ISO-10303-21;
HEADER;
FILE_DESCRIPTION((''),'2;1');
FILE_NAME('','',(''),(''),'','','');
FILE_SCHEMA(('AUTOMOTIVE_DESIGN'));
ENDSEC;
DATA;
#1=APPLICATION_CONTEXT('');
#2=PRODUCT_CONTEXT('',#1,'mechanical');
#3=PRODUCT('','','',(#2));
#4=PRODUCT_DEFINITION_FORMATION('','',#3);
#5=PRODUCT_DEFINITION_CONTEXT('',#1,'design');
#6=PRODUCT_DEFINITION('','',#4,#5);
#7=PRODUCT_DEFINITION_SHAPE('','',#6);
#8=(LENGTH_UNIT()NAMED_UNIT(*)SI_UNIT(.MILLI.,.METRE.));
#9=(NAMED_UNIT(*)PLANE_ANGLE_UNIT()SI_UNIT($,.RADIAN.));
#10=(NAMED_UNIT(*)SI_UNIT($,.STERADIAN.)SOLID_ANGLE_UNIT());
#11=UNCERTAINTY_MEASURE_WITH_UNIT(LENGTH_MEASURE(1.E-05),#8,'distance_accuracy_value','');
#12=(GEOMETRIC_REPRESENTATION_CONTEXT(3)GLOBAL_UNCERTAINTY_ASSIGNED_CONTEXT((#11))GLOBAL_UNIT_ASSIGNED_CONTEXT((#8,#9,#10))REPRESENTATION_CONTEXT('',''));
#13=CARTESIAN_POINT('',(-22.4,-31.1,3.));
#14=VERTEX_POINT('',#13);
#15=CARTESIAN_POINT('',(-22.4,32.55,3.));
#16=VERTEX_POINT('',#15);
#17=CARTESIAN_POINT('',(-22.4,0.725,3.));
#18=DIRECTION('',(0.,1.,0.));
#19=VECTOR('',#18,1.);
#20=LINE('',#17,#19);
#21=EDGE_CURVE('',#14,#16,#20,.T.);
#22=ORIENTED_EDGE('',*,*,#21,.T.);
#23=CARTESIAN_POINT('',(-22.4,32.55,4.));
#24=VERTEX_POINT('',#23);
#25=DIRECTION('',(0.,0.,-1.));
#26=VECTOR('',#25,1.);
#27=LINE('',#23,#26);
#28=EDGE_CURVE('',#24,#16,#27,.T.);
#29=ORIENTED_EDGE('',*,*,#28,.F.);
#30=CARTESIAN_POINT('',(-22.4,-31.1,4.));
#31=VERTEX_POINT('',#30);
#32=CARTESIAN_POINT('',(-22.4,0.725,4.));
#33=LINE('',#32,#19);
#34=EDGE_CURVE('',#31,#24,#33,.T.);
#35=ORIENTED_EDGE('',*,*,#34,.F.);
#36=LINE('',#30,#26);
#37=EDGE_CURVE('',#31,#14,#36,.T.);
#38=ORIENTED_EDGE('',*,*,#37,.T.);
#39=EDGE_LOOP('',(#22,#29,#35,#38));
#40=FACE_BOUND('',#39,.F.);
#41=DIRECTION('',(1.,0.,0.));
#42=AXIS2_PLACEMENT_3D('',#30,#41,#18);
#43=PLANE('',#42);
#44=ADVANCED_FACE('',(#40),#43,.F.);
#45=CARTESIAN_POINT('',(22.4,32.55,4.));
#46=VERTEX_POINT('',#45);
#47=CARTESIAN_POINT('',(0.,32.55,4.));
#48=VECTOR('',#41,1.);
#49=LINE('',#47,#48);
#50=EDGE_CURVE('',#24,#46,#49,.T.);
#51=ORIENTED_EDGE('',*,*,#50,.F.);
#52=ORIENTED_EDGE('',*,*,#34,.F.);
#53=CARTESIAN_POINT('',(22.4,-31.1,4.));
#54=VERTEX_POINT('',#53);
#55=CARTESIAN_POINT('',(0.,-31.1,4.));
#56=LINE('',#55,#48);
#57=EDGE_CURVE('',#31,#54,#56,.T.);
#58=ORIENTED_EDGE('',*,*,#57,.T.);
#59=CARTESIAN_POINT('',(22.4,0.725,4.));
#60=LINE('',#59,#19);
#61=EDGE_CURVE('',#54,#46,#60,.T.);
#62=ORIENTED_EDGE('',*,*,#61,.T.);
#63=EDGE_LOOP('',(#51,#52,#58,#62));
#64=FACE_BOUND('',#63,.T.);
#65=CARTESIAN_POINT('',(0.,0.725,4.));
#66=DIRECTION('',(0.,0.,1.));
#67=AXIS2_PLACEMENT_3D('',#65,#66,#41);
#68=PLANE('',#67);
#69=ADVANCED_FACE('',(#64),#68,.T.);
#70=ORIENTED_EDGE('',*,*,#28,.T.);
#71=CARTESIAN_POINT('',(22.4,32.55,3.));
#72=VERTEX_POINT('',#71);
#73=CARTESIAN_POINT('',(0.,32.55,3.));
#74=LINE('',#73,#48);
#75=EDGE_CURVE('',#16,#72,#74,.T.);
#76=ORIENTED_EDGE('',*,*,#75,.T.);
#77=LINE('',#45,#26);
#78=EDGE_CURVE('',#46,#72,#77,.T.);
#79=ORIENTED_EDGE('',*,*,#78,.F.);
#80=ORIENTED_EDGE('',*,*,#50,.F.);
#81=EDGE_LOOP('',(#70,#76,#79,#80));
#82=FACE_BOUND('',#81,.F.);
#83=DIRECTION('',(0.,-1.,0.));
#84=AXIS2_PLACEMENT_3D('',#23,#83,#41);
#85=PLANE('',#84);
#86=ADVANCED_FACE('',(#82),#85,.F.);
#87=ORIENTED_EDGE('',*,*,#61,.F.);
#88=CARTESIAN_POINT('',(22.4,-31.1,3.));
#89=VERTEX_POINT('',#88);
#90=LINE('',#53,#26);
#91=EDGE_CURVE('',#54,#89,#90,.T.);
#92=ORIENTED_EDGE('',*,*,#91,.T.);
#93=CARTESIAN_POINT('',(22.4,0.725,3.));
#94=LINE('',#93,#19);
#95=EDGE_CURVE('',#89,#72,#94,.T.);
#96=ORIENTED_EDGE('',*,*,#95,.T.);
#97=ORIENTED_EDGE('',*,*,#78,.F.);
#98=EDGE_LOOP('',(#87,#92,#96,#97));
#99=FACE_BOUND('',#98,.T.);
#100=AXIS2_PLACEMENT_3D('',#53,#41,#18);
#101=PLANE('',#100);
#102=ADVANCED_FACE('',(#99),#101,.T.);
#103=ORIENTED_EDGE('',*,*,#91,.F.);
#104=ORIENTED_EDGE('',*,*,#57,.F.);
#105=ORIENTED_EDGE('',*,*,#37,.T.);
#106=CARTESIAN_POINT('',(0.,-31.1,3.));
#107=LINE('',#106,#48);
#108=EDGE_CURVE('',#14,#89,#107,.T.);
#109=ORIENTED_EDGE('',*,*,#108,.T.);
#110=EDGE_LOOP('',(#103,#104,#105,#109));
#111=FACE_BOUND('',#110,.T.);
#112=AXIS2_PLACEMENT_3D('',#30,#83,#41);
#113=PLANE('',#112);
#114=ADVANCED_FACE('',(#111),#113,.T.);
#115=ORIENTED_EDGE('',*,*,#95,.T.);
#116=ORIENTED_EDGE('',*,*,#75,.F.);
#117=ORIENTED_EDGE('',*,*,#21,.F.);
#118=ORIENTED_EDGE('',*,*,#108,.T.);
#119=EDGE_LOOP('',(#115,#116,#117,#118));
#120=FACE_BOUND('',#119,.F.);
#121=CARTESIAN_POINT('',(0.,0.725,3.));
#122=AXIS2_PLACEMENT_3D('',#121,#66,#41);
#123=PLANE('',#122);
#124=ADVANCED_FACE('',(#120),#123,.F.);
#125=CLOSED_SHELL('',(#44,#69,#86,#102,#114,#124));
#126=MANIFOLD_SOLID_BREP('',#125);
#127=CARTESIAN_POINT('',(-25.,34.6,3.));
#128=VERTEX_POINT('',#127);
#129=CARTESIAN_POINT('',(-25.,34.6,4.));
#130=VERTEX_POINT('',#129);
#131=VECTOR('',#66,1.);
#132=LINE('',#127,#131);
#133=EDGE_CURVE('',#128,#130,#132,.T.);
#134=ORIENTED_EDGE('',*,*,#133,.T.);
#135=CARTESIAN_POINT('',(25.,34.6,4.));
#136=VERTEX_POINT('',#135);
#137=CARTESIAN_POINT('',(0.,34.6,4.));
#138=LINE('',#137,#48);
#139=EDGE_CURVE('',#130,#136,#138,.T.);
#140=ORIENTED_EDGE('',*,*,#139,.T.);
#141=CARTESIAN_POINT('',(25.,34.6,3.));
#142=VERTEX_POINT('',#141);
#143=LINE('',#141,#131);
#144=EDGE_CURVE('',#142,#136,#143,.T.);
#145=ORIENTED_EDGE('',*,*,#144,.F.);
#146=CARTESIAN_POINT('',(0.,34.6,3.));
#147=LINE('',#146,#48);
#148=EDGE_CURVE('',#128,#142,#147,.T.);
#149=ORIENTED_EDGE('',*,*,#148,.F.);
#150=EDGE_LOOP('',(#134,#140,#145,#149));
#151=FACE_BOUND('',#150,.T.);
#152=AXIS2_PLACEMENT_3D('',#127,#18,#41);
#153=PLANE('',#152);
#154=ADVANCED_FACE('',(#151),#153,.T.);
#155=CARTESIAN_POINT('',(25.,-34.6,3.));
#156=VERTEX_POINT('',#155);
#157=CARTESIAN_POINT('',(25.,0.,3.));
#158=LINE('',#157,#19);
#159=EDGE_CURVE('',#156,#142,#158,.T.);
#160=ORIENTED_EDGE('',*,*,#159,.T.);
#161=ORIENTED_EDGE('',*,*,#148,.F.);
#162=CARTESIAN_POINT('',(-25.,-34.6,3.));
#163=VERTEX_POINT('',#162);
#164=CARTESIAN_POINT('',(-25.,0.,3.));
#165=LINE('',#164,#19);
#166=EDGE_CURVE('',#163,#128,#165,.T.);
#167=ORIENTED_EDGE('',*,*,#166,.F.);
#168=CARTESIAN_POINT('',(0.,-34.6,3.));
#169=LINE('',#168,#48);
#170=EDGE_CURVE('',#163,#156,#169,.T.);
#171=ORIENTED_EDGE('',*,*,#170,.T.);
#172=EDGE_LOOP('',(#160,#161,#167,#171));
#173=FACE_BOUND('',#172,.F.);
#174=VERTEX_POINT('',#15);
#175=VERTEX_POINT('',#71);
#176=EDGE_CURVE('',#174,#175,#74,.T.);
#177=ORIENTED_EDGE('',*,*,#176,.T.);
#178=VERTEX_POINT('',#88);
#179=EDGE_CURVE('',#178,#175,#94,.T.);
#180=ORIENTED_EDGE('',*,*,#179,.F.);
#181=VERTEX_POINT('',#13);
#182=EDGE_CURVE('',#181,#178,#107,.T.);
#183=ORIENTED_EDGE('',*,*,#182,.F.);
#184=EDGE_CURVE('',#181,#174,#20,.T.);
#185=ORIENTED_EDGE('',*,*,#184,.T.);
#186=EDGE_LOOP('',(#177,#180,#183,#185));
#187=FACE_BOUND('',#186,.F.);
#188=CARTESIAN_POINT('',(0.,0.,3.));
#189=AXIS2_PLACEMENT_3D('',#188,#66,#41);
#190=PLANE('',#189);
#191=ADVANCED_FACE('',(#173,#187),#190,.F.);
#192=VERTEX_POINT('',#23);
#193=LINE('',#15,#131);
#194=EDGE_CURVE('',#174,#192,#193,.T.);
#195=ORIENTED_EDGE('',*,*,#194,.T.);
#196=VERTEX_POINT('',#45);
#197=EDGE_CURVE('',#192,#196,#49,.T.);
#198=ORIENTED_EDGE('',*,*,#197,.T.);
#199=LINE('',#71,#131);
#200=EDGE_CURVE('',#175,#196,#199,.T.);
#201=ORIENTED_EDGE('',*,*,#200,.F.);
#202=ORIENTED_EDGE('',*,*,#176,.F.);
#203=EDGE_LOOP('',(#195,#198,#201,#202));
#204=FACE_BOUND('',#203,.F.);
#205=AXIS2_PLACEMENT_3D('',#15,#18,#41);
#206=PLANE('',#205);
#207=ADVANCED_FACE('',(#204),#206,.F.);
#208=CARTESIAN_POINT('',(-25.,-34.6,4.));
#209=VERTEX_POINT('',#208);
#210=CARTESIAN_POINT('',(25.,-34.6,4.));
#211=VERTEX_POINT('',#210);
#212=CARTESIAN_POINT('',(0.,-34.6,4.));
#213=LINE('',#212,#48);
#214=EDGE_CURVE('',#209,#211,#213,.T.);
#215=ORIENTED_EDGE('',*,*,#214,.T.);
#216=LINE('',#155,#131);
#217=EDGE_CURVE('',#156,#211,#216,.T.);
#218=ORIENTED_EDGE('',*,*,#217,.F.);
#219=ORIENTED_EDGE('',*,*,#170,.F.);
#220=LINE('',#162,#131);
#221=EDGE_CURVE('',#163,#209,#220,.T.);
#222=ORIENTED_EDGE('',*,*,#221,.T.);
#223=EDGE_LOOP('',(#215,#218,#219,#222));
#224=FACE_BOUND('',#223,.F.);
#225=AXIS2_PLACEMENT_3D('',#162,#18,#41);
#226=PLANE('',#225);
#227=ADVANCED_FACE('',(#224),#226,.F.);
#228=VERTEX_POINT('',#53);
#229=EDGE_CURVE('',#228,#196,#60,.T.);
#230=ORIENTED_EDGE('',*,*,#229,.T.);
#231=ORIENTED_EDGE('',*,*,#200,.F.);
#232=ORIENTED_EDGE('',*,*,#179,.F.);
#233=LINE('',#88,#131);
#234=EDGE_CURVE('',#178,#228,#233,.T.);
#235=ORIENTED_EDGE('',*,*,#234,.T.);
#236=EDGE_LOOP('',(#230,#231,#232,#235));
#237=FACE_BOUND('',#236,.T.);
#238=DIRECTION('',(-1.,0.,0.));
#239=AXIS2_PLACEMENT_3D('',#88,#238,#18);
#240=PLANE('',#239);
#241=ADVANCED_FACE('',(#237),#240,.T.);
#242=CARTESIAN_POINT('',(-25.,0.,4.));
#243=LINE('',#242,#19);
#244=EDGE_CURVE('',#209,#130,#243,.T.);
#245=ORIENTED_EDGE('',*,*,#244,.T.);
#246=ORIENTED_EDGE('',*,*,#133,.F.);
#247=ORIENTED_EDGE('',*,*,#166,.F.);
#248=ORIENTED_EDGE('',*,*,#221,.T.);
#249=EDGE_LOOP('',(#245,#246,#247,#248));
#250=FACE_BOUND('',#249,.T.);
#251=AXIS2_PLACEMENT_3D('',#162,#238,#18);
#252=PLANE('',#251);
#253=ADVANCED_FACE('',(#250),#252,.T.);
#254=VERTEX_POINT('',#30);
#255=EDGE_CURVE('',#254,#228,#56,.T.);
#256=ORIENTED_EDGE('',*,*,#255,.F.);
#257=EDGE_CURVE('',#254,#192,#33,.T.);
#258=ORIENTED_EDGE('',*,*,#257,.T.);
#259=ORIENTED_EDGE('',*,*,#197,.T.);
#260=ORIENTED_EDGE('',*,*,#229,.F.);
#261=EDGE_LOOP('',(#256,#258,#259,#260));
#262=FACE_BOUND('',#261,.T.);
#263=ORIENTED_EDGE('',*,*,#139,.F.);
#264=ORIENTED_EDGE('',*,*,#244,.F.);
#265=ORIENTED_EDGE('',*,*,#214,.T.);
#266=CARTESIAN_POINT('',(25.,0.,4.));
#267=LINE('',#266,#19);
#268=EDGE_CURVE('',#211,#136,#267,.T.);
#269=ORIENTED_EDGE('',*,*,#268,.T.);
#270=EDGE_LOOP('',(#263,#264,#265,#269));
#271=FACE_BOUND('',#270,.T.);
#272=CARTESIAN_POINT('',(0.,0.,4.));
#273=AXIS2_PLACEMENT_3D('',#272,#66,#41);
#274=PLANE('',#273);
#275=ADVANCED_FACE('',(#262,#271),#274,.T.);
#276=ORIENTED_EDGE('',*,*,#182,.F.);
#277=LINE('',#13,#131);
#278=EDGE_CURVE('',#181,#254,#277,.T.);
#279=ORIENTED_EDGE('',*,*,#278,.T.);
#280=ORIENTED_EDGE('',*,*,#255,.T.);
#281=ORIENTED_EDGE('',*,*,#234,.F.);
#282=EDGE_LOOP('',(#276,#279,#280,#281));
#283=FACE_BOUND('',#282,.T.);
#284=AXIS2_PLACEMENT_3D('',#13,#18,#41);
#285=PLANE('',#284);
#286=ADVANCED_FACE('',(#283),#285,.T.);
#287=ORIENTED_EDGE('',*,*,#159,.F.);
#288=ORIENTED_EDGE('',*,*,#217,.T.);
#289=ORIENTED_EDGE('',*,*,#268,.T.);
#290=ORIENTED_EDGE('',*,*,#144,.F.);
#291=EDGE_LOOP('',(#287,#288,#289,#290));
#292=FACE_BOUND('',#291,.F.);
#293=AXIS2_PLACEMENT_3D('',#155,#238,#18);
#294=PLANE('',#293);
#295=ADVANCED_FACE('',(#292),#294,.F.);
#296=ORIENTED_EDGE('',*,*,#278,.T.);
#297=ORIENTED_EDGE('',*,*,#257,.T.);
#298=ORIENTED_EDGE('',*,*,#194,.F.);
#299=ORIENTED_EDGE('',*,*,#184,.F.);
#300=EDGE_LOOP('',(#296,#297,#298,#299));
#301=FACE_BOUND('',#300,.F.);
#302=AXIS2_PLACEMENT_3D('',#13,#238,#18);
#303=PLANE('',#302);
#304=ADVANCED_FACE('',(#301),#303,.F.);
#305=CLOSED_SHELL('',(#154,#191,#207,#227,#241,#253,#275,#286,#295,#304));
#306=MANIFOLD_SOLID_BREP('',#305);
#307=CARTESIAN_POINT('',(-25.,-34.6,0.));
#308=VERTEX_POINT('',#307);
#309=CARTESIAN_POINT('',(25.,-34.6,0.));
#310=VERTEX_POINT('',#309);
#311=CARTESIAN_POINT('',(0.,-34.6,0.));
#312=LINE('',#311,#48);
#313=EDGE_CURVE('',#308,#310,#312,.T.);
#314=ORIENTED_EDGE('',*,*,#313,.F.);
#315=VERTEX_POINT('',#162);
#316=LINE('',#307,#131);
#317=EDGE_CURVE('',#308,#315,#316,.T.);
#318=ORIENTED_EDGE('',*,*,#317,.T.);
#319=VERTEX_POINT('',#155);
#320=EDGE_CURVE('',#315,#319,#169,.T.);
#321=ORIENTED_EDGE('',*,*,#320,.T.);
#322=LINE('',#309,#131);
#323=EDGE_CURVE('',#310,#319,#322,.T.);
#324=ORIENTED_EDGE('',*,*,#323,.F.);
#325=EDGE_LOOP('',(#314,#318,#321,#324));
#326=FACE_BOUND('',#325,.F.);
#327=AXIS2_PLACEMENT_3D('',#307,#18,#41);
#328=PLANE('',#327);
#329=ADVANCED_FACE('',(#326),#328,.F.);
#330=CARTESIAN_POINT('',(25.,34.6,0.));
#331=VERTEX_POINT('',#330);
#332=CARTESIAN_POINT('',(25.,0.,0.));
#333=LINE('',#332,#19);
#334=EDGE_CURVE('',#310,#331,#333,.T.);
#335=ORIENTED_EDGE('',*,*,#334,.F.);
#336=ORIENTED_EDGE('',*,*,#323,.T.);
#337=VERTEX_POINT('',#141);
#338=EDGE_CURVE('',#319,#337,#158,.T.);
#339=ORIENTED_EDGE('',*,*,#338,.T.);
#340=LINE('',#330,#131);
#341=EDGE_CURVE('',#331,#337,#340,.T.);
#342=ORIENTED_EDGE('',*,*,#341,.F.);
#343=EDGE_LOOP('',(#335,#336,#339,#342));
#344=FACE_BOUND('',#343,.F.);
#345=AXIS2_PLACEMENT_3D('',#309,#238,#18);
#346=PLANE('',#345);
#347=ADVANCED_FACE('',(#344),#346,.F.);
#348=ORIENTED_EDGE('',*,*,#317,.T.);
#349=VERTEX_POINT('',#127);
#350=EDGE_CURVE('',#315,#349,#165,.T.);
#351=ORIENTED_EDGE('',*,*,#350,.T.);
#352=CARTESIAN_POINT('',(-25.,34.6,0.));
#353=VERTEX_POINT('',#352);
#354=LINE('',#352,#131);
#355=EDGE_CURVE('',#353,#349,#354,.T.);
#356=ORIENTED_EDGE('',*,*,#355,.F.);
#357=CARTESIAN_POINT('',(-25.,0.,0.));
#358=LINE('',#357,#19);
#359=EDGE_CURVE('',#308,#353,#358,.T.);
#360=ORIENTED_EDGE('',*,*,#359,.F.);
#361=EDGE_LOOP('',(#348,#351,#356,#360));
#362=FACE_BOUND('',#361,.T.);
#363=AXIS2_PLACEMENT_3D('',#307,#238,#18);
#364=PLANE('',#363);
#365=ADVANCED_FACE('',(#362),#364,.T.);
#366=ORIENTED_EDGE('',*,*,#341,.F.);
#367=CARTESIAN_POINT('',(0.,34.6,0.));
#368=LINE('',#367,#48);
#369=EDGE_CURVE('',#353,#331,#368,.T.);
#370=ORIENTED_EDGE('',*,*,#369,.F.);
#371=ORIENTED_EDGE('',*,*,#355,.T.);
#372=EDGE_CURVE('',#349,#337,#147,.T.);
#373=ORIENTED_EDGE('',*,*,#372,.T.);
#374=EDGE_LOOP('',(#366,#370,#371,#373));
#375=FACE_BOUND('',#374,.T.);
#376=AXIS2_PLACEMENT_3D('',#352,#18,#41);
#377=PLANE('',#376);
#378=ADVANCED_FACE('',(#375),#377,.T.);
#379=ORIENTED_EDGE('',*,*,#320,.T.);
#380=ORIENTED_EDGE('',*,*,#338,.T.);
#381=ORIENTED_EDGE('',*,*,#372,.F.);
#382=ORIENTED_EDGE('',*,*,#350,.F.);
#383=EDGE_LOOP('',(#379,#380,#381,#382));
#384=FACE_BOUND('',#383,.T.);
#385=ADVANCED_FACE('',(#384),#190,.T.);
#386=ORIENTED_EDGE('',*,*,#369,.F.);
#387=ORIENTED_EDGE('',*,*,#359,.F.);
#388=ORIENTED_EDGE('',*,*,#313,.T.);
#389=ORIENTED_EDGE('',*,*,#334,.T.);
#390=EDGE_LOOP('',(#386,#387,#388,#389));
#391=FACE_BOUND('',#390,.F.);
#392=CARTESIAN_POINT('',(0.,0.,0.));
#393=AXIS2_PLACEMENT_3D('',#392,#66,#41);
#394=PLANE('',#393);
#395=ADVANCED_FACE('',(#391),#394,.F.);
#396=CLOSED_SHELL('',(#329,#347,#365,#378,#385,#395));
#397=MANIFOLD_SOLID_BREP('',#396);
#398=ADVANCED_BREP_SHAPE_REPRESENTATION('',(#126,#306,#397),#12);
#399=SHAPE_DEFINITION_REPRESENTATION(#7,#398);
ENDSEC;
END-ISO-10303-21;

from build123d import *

# Parameters (mm, degrees)
F0_W     = 50
F0_H     = 69.2
F1_DEPTH = 3
F2_W     = 50
F2_H     = 69.2
F2_W_2   = 44.8
F2_H_2   = 63.65
F3_DEPTH = 1
F4_W     = 44.8
F4_H     = 63.65
F5_DEPTH = 1


with BuildPart() as f1:
    # F0 (on Top) → F1 (new body)
    with BuildSketch(Plane.XY):
        Rectangle(F0_W, F0_H)
    extrude(amount=F1_DEPTH)


with BuildPart() as f3:
    # F2 (on face) → F3 (new body)
    with BuildSketch(Plane.XY.offset(3)):
        Rectangle(F2_W, F2_H)
        with Locations((0, 0.725)):
            Rectangle(F2_W_2, F2_H_2, mode=Mode.SUBTRACT)
    extrude(amount=F3_DEPTH)


with BuildPart() as f5:
    # F4 (on face) → F5 (new body)
    with BuildSketch(Plane.XY.offset(4)):
        with Locations((0, 0.725)):
            Rectangle(F4_W, F4_H)
    extrude(amount=-F5_DEPTH)


solid = Compound([f1.part, f3.part, f5.part])
